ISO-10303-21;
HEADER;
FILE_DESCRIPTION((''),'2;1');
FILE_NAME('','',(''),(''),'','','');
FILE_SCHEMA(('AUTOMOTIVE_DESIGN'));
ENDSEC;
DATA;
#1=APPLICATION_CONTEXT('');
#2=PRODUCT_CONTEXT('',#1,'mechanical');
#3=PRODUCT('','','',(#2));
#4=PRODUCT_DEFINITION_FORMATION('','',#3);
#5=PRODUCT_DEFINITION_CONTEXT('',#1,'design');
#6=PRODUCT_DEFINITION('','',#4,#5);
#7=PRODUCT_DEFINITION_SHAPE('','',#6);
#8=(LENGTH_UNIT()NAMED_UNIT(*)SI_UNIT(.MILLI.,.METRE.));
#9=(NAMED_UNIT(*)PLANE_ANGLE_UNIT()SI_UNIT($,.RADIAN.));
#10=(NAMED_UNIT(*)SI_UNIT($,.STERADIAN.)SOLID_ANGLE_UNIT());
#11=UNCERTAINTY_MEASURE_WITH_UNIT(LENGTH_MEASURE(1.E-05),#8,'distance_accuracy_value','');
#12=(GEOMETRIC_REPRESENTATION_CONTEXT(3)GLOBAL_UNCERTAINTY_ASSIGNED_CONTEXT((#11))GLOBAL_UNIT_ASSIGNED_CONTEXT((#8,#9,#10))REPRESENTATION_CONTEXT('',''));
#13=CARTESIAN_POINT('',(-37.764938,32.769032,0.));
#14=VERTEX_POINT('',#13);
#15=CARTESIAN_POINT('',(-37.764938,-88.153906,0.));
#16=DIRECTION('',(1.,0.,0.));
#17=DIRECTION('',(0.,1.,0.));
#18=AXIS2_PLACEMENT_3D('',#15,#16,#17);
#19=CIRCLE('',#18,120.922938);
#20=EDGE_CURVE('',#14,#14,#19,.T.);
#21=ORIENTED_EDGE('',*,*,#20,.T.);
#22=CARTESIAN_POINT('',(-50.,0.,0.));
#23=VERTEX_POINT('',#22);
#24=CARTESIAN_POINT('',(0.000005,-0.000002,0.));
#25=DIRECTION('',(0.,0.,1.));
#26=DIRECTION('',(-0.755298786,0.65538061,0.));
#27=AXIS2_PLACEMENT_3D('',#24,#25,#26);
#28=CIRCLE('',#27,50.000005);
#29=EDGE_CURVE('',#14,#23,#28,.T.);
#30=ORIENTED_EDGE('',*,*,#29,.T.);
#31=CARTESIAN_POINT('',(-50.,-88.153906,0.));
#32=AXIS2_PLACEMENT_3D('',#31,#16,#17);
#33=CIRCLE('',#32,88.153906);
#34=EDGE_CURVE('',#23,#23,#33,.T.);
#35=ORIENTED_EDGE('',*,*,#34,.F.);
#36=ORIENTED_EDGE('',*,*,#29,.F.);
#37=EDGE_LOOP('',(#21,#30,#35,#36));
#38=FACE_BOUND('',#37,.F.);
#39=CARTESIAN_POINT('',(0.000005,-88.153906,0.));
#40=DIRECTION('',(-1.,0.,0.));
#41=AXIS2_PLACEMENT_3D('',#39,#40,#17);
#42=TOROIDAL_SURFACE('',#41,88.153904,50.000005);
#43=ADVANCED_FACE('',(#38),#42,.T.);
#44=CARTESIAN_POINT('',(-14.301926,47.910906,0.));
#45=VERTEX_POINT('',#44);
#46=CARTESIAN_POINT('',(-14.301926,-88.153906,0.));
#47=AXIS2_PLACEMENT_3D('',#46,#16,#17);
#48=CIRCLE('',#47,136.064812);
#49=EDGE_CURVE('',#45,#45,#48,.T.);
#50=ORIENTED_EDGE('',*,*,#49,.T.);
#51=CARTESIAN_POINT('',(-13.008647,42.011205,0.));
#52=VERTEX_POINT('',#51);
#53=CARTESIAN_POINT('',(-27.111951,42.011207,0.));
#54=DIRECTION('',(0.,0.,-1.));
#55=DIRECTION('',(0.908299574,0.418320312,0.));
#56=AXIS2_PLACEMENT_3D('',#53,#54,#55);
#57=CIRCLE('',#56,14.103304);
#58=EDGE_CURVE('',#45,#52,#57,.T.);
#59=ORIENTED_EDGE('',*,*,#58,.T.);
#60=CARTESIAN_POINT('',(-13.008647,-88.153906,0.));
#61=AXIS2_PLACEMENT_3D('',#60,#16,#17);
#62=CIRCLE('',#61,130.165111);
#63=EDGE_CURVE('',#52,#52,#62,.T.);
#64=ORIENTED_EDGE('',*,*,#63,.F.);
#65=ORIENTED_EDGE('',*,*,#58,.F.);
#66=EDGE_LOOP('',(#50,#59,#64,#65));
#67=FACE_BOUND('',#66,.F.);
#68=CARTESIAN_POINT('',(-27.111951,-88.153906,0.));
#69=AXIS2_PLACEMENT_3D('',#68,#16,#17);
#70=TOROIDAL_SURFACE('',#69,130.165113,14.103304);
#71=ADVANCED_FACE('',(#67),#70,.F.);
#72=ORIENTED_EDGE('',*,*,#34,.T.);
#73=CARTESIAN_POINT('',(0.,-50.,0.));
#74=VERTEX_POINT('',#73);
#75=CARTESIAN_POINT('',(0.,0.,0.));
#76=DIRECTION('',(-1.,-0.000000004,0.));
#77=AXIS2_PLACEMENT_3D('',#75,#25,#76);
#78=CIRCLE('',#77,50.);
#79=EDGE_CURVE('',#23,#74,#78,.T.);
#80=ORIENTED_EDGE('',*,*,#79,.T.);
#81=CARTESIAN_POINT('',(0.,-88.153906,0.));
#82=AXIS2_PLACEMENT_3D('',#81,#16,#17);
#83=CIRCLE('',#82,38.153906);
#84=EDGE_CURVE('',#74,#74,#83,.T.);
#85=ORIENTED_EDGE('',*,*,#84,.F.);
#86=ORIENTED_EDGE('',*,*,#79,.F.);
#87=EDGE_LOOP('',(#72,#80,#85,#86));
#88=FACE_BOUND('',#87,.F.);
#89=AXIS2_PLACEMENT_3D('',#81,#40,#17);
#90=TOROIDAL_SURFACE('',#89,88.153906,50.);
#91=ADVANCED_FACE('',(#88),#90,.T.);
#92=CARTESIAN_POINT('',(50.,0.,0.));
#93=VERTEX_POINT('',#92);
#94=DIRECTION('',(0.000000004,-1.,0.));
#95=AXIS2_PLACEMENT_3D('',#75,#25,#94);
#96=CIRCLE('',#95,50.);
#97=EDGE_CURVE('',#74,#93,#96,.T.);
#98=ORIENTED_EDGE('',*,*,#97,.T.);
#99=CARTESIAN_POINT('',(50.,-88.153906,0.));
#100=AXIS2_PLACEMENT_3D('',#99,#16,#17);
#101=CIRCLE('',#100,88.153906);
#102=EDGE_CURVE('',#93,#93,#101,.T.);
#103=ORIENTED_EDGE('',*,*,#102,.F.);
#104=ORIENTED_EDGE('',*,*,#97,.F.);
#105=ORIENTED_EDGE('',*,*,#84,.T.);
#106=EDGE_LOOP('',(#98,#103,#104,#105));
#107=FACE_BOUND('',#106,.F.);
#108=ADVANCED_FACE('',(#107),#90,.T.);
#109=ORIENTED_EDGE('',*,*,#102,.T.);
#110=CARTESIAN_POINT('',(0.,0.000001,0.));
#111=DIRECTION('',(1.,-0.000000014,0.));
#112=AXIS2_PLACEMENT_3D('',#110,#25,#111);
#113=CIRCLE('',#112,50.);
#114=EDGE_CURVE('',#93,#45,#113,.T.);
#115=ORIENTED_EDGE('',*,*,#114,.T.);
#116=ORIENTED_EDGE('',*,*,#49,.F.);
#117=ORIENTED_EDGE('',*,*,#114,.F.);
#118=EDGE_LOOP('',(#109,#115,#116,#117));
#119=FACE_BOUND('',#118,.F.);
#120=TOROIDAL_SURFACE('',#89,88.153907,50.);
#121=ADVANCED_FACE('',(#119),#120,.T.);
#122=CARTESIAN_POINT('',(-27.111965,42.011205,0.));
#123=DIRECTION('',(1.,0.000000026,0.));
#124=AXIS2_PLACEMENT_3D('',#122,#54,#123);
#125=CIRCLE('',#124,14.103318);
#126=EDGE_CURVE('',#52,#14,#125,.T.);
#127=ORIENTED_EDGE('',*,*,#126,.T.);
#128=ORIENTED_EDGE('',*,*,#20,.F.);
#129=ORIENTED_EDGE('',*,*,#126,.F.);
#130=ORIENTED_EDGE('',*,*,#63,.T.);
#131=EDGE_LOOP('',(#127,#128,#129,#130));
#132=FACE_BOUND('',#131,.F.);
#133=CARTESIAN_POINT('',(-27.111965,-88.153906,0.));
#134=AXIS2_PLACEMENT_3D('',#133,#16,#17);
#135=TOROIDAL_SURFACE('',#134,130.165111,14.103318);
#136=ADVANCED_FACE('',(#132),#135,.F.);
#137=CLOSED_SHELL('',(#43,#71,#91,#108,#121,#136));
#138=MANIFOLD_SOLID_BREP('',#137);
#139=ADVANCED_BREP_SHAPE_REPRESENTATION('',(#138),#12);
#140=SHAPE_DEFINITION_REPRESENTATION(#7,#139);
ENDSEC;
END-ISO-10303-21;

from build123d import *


with BuildPart() as f1:
    # F0 (on Top) → F1 (revolve)
    with BuildSketch(Plane.XY):
        with BuildLine():
            ThreePointArc((-37.764938, 32.769032), (-46.841471, 17.489327), (-50, 0))
            ThreePointArc((-50, 0), (-35.355339, -35.355339), (0, -50))
            ThreePointArc((0, -50), (35.355339, -35.355339), (50, 0))
            ThreePointArc((50, 0), (29.873933, 40.094241), (-14.301926, 47.910906))
            ThreePointArc((-14.301926, 47.910906), (-13.33576, 45.031099), (-13.008647, 42.011205))
            ThreePointArc((-13.008647, 42.011205), (-22.179353, 28.7986), (-37.764938, 32.769032))
        make_face()
    revolve(axis=Axis((4.434294, -88.153906, 0), (1, 0, 0)))


solid = f1.part
